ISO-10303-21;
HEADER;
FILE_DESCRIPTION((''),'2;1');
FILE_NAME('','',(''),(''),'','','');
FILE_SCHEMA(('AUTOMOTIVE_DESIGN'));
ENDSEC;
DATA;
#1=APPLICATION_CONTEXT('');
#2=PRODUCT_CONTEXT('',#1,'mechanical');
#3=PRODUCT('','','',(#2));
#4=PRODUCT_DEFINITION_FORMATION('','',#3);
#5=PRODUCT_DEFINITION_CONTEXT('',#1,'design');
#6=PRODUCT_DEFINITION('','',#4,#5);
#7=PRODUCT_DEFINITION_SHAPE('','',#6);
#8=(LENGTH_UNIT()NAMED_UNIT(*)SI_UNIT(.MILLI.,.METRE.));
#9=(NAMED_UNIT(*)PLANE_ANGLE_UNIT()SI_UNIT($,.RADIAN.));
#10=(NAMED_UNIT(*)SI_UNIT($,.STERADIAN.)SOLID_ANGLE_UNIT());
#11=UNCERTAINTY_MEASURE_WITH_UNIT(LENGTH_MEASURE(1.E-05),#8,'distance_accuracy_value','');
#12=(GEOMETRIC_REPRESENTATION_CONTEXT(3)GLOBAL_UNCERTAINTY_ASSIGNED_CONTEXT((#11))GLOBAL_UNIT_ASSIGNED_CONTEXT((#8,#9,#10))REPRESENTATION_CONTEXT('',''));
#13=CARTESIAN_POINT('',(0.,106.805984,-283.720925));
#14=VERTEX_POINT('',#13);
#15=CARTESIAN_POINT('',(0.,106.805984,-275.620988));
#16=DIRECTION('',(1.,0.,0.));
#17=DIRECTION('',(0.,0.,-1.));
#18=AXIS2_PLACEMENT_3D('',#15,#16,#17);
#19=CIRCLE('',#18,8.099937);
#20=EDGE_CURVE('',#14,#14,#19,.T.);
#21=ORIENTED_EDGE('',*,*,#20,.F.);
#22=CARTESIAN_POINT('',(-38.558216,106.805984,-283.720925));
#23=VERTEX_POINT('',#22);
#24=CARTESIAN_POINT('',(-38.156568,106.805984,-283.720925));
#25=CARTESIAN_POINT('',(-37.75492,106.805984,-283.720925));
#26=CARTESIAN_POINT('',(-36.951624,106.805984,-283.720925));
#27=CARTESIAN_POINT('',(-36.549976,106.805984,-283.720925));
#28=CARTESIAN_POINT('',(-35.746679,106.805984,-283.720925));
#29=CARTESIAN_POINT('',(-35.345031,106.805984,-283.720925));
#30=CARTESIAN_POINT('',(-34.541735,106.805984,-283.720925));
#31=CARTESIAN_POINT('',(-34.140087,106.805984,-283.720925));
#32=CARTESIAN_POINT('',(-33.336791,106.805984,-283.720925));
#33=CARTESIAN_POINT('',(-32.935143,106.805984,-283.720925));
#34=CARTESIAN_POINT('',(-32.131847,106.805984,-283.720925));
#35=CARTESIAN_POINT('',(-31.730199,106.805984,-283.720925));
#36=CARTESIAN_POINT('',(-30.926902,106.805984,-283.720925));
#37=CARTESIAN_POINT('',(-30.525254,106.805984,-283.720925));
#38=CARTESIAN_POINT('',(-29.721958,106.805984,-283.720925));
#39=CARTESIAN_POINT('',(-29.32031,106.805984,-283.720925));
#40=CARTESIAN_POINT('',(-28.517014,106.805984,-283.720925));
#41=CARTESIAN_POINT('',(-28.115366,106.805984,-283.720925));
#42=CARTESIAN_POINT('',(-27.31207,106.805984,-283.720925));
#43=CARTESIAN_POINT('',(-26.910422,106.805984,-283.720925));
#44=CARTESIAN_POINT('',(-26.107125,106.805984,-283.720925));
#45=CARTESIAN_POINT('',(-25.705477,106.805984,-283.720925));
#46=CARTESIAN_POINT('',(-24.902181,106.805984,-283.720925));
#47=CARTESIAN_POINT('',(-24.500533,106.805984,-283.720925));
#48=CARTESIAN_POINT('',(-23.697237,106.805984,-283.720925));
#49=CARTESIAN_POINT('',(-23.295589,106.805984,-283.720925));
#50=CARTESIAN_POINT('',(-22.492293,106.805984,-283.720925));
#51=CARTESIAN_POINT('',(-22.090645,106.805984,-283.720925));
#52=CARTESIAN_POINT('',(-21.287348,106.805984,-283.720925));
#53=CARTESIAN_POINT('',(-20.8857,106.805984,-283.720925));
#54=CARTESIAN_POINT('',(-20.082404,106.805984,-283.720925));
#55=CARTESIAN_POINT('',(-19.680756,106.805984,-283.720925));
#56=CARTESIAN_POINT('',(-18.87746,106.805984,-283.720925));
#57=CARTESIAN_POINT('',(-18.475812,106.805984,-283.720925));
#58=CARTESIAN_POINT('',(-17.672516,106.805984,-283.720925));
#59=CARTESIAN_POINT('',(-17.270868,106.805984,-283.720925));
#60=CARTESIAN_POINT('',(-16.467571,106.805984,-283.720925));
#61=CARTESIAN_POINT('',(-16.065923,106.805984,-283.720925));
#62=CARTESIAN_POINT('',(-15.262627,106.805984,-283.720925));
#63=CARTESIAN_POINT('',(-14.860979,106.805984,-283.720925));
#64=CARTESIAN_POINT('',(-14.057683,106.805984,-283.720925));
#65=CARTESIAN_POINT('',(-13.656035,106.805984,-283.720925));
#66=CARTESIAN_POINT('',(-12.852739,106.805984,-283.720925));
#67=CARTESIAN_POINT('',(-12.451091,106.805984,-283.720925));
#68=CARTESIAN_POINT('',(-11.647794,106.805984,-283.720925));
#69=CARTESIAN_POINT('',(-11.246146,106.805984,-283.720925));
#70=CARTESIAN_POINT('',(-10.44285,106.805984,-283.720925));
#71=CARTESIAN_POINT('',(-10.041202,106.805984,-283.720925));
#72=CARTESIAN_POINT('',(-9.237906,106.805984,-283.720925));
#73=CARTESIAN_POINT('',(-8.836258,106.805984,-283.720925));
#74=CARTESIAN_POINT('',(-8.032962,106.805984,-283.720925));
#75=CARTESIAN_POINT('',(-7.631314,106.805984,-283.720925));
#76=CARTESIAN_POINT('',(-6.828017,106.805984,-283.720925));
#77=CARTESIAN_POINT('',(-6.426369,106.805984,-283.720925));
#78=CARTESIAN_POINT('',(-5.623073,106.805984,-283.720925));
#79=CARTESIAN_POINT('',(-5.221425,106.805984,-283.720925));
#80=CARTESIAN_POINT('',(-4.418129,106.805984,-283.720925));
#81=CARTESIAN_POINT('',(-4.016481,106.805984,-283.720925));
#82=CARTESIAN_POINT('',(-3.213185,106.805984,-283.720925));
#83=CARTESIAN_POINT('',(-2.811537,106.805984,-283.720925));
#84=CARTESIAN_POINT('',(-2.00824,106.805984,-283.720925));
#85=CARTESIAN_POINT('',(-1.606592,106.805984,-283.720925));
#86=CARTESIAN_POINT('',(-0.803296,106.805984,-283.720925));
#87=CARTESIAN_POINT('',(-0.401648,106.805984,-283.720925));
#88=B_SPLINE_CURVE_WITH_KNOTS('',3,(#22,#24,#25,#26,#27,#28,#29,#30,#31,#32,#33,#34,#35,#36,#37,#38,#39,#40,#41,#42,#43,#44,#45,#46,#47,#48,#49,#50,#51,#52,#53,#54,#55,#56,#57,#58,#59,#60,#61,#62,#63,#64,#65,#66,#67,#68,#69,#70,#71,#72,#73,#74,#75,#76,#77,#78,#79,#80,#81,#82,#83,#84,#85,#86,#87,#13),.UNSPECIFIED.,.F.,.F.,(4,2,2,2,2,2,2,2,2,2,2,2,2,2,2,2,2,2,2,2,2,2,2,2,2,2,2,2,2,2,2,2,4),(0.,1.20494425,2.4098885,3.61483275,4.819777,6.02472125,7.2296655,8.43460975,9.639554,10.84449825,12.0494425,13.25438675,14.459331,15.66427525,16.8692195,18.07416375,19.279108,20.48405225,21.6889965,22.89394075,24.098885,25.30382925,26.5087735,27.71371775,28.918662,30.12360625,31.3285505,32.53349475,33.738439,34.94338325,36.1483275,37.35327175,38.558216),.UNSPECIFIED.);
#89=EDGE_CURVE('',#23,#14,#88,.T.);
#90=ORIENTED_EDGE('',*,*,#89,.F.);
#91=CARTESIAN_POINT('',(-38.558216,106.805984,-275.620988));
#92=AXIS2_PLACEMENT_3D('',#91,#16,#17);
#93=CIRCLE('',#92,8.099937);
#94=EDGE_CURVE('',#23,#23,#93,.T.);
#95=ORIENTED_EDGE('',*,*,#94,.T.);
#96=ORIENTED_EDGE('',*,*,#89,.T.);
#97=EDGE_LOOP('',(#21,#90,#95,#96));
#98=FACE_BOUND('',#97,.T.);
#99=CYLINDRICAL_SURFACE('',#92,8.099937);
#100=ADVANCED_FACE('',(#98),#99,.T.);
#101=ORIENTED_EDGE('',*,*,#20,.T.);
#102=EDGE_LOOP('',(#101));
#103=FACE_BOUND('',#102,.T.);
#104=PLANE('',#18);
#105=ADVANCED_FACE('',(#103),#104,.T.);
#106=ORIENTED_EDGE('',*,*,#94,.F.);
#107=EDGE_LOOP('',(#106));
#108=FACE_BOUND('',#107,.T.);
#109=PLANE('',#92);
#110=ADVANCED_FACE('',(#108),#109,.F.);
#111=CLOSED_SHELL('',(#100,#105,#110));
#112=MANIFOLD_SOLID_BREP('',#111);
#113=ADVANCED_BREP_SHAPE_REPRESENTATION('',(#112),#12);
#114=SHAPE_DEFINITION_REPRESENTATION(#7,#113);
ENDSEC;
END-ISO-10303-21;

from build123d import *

# Parameters (mm, degrees)
SKETCH1_R           = 8.099936755
BOSS_EXTRUDE1_DEPTH = 38.558216


with BuildPart() as part:
    # Sketch1 → Boss-Extrude1 (new body)
    with BuildSketch(Plane(origin=(0, 0, 0), x_dir=(0, 0, -1), z_dir=(1, 0, 0))):
        with Locations((275.620988, 106.805984)):
            Circle(SKETCH1_R)
    extrude(amount=-BOSS_EXTRUDE1_DEPTH)


solid = part.part
